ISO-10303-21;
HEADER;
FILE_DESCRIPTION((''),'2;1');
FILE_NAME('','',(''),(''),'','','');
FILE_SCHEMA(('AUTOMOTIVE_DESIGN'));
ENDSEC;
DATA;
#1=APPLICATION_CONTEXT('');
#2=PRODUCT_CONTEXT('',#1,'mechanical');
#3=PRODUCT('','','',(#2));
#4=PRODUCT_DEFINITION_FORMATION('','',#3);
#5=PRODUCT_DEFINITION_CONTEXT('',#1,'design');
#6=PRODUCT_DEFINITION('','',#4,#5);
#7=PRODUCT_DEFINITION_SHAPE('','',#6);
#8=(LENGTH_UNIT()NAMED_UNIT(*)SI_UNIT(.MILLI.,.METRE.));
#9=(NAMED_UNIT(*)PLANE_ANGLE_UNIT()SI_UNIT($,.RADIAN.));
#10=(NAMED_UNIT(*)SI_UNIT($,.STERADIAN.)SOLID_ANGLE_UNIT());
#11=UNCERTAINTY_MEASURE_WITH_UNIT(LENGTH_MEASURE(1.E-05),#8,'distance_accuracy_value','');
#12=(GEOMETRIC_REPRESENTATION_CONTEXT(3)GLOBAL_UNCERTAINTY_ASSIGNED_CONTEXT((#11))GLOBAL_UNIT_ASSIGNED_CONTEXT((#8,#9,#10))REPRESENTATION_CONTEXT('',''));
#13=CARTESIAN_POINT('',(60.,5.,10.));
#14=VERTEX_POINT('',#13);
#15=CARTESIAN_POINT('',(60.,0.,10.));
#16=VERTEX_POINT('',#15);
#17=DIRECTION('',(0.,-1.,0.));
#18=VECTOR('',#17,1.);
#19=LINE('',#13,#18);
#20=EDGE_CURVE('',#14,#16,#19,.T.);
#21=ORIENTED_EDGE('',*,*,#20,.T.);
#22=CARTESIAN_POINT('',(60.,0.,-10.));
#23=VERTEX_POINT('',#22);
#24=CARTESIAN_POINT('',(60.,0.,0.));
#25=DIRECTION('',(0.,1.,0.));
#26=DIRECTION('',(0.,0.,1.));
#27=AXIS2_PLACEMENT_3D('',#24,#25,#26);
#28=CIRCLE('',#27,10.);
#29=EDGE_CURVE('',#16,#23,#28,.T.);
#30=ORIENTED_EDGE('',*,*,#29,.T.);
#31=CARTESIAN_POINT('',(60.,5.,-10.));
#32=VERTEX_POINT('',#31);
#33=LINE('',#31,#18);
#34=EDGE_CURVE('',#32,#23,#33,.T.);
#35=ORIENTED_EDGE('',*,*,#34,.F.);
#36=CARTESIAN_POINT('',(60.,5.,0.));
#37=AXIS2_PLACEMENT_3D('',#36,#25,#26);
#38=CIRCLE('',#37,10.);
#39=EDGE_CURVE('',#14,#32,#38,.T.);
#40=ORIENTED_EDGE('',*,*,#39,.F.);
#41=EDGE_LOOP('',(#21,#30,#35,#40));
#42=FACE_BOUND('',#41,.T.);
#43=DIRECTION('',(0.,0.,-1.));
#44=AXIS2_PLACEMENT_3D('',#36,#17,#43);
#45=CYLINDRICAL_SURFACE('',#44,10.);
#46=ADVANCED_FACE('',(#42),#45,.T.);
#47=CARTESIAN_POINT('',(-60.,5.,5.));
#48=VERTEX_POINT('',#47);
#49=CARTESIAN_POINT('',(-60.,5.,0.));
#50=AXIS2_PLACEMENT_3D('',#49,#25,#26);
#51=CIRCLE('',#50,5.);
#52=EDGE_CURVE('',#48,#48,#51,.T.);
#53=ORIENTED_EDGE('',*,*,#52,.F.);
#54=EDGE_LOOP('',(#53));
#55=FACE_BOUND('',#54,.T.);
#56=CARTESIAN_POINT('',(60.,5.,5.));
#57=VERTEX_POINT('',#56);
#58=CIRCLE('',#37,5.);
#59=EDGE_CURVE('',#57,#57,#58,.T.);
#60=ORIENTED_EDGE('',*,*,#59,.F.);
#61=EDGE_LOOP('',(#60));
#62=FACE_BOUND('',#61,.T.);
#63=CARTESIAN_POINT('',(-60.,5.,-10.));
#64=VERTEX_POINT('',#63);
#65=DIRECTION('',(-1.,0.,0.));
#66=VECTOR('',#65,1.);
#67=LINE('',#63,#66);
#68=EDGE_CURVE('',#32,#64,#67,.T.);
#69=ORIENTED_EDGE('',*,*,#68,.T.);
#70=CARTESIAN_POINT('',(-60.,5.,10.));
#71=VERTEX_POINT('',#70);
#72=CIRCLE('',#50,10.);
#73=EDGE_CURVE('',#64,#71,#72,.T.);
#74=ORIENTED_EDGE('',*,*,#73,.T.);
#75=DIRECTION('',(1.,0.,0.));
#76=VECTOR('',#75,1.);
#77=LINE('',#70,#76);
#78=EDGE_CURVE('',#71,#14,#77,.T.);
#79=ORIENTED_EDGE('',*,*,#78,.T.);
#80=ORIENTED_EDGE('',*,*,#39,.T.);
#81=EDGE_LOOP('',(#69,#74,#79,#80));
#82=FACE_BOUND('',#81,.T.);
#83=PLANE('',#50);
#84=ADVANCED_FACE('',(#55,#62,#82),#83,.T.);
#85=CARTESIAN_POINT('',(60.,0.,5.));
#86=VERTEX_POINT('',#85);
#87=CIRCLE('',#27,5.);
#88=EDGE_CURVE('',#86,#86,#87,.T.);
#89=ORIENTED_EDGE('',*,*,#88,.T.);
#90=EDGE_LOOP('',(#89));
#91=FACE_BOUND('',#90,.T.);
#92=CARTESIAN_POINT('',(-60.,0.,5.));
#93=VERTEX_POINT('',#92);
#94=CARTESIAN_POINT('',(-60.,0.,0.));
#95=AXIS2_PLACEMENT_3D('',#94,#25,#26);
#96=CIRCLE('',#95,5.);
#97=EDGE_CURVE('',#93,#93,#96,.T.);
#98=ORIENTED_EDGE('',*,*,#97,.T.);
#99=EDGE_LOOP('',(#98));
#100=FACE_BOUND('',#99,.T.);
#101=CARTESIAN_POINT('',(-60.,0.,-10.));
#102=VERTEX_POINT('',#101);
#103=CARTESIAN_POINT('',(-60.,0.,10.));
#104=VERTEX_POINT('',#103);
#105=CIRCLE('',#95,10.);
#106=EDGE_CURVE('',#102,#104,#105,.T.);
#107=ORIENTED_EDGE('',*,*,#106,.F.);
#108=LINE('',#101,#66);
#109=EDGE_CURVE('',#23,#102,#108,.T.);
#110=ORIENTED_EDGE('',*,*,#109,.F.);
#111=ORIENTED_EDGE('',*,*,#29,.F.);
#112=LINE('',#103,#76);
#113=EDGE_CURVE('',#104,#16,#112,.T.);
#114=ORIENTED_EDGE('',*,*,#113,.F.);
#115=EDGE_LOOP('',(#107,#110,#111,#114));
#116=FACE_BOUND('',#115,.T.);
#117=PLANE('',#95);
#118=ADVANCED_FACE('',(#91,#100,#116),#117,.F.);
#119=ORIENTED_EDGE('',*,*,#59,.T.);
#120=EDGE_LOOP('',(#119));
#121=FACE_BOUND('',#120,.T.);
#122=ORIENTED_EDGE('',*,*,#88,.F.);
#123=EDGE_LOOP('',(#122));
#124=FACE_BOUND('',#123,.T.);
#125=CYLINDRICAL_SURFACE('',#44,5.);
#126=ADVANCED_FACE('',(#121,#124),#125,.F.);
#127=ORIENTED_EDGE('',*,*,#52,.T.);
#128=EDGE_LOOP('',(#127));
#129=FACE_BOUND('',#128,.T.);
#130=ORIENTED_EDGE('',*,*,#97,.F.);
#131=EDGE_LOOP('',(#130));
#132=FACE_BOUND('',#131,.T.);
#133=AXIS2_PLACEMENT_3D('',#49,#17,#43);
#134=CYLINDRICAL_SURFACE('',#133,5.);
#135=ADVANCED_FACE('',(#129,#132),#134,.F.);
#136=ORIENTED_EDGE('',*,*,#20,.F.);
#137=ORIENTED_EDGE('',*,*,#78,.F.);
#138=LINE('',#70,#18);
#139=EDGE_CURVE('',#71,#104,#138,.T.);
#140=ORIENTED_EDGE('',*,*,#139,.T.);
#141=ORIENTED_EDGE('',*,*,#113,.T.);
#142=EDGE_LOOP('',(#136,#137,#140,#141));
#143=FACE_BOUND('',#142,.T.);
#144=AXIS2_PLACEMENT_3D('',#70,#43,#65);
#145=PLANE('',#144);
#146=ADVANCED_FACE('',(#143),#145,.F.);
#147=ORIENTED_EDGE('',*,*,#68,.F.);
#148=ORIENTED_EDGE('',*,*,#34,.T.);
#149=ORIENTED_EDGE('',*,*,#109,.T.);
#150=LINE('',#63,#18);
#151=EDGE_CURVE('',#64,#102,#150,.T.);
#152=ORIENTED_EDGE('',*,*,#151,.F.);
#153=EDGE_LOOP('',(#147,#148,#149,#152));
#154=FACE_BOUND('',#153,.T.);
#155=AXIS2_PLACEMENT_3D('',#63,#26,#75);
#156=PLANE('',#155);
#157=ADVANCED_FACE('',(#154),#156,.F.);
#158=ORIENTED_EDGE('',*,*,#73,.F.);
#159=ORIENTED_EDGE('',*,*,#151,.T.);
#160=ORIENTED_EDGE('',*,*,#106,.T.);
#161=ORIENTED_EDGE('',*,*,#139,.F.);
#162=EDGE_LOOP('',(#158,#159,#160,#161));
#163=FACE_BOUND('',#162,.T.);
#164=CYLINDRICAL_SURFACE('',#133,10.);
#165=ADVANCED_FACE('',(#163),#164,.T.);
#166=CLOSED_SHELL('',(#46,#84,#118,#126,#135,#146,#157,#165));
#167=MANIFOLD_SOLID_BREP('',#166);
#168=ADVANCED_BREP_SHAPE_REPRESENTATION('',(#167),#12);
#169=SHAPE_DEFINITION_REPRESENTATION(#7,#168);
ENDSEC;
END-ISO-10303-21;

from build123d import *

# Parameters (mm, degrees)
SKETCH2_R           = 5
BOSS_EXTRUDE1_DEPTH = 5


with BuildPart() as part:
    # Sketch2 → Boss-Extrude1 (new body)
    with BuildSketch(Plane(origin=(0, 0, 0), x_dir=(1, 0, 0), z_dir=(0, 1, 0))):
        with BuildLine():
            Line((-60, 10), (60, 10))
            ThreePointArc((60, 10), (70, 0), (60, -10))
            Line((60, -10), (-60, -10))
            ThreePointArc((-60, -10), (-70, 0), (-60, 10))
        make_face()
        with Locations((-60, 0)):
            Circle(SKETCH2_R, mode=Mode.SUBTRACT)
        with Locations((60, 0)):
            Circle(SKETCH2_R, mode=Mode.SUBTRACT)
    extrude(amount=BOSS_EXTRUDE1_DEPTH)


solid = part.part
